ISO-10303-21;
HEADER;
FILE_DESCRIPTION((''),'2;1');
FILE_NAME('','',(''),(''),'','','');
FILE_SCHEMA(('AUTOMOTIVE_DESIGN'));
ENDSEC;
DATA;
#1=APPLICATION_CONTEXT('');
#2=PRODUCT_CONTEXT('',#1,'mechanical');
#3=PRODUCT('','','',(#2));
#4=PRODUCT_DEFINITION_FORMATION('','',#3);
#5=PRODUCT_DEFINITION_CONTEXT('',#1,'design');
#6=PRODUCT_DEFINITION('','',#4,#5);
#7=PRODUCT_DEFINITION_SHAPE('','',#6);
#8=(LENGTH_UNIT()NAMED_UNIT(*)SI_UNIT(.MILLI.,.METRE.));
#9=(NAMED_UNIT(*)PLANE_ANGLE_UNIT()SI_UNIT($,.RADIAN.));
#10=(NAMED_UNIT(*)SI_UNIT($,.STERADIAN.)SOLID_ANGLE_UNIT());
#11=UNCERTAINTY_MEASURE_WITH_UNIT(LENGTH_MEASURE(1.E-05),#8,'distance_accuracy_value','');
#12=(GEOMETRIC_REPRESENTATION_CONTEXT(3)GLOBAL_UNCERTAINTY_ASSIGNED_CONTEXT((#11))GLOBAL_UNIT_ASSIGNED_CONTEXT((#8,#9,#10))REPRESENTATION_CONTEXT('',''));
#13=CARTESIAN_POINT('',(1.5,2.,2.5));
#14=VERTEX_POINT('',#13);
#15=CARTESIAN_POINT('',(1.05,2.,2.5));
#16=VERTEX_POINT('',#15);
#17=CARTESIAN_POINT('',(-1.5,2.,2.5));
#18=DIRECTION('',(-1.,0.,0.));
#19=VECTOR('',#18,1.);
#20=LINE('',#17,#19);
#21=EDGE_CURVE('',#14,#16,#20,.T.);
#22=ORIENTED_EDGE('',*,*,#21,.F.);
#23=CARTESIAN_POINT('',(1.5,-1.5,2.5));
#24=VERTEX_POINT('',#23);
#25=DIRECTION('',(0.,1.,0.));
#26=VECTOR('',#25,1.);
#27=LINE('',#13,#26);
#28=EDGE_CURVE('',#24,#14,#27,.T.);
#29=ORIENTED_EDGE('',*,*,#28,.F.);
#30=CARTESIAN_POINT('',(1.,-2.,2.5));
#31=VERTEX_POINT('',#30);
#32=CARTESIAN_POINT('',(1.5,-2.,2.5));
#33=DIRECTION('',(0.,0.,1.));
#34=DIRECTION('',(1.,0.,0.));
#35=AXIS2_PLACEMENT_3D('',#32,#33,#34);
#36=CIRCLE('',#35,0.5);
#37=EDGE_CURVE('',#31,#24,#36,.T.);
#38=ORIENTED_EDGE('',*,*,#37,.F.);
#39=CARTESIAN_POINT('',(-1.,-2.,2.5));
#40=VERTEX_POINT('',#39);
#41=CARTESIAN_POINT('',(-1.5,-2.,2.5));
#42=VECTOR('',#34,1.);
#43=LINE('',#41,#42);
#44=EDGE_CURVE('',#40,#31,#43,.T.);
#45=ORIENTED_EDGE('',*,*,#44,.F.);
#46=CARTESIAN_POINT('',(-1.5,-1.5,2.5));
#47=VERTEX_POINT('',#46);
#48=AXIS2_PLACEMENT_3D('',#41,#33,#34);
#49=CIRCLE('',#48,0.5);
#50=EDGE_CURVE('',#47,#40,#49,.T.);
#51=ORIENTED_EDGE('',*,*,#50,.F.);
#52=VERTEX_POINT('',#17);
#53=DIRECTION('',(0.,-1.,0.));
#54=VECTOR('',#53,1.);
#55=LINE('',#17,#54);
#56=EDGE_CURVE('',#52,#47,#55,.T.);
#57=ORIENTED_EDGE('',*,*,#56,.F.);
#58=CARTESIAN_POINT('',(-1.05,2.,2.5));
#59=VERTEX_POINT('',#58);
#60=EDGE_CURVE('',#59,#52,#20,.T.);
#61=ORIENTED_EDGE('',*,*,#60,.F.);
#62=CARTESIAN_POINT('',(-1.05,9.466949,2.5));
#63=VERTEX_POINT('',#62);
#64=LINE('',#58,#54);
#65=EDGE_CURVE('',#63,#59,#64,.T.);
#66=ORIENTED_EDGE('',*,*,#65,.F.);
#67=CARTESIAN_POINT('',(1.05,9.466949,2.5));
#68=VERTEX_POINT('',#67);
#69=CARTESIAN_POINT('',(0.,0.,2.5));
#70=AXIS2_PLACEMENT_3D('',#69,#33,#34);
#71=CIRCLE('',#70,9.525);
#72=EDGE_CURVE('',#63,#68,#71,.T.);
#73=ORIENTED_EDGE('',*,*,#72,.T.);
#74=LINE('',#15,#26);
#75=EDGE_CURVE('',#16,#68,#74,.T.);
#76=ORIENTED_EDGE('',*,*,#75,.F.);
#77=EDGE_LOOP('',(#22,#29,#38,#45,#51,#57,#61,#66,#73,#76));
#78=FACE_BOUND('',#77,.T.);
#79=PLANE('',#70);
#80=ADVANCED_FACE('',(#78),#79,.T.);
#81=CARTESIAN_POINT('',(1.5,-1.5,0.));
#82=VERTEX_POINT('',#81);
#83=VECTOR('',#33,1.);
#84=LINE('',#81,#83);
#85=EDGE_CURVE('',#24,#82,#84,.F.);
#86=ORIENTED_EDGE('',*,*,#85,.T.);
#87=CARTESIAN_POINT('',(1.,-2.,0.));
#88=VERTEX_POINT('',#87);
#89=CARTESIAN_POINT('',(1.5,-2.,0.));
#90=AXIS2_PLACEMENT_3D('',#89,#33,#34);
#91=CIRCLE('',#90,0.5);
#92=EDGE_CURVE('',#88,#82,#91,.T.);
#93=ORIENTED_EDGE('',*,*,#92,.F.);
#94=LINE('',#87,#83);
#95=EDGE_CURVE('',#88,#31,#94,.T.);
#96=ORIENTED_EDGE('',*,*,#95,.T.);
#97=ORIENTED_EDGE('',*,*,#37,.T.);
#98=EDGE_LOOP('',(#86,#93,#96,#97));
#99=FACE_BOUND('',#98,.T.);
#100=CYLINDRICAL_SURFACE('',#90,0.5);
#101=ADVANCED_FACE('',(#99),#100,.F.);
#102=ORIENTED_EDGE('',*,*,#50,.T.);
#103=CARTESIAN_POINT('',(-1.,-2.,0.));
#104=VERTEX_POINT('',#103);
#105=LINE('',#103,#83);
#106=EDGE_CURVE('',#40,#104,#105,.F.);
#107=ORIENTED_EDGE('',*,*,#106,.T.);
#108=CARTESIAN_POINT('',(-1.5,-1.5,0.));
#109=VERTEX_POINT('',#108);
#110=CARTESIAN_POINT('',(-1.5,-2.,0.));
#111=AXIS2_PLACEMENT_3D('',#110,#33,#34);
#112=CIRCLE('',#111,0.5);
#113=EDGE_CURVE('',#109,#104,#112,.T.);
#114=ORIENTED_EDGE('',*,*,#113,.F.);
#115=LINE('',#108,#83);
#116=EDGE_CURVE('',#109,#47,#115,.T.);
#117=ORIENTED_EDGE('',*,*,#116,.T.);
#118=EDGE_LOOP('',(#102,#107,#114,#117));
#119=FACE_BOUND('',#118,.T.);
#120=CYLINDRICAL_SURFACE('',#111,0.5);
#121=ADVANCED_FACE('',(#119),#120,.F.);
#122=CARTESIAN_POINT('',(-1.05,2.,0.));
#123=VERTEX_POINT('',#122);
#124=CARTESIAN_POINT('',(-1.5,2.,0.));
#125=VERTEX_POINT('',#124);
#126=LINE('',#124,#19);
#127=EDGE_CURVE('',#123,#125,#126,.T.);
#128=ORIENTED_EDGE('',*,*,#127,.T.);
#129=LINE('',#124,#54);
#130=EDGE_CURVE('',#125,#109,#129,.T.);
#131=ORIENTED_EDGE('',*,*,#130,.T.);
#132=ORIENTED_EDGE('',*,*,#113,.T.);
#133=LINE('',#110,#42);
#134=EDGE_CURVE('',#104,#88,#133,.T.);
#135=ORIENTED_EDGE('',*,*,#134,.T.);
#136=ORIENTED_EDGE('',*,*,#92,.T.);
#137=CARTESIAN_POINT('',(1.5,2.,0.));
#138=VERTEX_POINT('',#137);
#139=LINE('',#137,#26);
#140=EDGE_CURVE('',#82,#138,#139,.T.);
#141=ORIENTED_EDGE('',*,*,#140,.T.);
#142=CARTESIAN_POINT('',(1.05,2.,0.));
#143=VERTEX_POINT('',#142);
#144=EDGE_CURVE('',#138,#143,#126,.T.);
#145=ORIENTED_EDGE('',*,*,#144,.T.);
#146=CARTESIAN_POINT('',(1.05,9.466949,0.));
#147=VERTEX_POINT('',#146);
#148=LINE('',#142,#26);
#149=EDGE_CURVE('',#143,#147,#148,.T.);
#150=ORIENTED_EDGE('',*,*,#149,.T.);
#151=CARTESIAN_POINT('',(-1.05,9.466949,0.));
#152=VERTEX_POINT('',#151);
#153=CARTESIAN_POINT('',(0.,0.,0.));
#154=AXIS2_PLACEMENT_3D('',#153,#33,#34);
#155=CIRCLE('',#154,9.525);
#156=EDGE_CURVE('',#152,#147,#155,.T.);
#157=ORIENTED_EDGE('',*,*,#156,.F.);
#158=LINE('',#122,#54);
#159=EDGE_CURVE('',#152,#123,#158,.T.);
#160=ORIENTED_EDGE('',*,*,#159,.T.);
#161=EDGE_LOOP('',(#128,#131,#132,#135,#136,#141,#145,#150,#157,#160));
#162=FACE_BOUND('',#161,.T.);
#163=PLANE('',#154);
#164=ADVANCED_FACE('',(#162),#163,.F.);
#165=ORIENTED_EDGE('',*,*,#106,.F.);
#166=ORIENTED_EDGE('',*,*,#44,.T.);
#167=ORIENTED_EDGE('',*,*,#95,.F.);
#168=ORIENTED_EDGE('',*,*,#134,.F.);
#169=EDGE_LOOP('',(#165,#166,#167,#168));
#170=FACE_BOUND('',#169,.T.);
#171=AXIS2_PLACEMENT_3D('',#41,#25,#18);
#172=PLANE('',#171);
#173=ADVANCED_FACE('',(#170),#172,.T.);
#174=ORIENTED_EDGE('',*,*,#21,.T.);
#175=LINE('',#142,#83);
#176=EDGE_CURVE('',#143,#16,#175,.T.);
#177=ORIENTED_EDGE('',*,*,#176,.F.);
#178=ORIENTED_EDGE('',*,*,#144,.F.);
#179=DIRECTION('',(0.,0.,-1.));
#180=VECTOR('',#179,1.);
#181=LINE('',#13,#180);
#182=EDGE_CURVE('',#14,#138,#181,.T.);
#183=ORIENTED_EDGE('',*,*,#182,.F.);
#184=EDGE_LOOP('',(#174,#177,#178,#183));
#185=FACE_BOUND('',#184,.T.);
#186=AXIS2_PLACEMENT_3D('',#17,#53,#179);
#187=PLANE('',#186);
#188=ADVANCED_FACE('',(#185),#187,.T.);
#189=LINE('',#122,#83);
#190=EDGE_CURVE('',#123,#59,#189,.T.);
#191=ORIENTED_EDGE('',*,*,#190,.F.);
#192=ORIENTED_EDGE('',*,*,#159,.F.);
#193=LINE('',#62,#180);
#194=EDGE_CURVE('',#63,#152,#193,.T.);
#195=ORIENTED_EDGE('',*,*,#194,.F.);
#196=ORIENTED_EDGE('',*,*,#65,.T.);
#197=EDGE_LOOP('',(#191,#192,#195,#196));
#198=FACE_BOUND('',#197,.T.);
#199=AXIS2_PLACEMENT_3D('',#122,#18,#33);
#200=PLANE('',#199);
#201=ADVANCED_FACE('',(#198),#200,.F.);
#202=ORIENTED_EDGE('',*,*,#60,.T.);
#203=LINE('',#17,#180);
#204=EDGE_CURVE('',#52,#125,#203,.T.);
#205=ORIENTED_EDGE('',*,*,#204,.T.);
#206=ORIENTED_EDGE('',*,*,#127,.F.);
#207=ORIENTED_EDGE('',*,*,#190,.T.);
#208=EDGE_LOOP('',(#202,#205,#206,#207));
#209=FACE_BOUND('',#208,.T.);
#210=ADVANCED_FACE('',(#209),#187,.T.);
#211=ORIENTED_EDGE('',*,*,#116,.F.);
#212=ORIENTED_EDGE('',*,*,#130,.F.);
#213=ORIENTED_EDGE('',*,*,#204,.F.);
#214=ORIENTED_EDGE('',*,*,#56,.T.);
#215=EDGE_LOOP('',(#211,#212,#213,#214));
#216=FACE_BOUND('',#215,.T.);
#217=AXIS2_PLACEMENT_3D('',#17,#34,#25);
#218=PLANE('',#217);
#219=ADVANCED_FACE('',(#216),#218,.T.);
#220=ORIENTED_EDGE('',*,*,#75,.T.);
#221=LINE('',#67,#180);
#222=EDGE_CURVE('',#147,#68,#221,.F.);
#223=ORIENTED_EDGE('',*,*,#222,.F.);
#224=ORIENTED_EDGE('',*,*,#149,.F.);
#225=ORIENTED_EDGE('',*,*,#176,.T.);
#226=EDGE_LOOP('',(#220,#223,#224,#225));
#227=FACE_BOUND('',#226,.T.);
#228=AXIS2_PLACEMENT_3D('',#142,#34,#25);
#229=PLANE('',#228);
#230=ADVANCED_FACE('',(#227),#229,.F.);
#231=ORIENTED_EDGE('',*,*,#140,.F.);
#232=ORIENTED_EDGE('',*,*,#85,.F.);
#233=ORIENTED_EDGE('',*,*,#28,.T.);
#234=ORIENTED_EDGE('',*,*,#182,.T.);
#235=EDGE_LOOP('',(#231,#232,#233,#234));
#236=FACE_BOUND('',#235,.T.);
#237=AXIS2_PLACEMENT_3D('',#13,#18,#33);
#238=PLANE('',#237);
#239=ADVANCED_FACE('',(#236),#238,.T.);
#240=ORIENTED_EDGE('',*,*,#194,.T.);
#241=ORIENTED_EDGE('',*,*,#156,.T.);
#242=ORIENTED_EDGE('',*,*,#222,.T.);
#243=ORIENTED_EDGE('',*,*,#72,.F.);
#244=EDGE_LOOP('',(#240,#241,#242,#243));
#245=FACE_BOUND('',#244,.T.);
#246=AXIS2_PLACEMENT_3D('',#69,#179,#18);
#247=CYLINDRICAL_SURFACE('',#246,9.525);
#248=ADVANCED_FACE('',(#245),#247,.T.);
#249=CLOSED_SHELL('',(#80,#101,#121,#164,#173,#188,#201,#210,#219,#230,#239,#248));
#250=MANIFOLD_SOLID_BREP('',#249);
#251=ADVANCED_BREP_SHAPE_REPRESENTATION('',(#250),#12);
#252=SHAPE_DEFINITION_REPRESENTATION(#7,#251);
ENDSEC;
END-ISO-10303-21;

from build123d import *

# Parameters (mm, degrees)
SKETCH1_R           = 9.525
SKETCH1_W           = 3
SKETCH1_H           = 4
BOSS_EXTRUDE1_DEPTH = 2.5
SKETCH2_R           = 0.5
SKETCH2_W           = 2.1
SKETCH2_H           = 7.525
CUT_EXTRUDE1_DEPTH  = 14.700410578


with BuildPart() as part:
    # Sketch1 → Boss-Extrude1 (new body)
    with BuildSketch(Plane.XY):
        Circle(SKETCH1_R)
        Rectangle(SKETCH1_W, SKETCH1_H, mode=Mode.SUBTRACT)
    extrude(amount=BOSS_EXTRUDE1_DEPTH)

    # Sketch2 → Cut-Extrude1 (cut, through all)
    with BuildSketch(Plane.XY.offset(2.5)):
        with Locations((-1.5, -2)):
            Circle(SKETCH2_R)
        with Locations((1.5, -2)):
            Circle(SKETCH2_R)
        with Locations((0, 5.7625)):
            Rectangle(SKETCH2_W, SKETCH2_H)
    extrude(amount=-CUT_EXTRUDE1_DEPTH, mode=Mode.SUBTRACT)


solid = part.part
